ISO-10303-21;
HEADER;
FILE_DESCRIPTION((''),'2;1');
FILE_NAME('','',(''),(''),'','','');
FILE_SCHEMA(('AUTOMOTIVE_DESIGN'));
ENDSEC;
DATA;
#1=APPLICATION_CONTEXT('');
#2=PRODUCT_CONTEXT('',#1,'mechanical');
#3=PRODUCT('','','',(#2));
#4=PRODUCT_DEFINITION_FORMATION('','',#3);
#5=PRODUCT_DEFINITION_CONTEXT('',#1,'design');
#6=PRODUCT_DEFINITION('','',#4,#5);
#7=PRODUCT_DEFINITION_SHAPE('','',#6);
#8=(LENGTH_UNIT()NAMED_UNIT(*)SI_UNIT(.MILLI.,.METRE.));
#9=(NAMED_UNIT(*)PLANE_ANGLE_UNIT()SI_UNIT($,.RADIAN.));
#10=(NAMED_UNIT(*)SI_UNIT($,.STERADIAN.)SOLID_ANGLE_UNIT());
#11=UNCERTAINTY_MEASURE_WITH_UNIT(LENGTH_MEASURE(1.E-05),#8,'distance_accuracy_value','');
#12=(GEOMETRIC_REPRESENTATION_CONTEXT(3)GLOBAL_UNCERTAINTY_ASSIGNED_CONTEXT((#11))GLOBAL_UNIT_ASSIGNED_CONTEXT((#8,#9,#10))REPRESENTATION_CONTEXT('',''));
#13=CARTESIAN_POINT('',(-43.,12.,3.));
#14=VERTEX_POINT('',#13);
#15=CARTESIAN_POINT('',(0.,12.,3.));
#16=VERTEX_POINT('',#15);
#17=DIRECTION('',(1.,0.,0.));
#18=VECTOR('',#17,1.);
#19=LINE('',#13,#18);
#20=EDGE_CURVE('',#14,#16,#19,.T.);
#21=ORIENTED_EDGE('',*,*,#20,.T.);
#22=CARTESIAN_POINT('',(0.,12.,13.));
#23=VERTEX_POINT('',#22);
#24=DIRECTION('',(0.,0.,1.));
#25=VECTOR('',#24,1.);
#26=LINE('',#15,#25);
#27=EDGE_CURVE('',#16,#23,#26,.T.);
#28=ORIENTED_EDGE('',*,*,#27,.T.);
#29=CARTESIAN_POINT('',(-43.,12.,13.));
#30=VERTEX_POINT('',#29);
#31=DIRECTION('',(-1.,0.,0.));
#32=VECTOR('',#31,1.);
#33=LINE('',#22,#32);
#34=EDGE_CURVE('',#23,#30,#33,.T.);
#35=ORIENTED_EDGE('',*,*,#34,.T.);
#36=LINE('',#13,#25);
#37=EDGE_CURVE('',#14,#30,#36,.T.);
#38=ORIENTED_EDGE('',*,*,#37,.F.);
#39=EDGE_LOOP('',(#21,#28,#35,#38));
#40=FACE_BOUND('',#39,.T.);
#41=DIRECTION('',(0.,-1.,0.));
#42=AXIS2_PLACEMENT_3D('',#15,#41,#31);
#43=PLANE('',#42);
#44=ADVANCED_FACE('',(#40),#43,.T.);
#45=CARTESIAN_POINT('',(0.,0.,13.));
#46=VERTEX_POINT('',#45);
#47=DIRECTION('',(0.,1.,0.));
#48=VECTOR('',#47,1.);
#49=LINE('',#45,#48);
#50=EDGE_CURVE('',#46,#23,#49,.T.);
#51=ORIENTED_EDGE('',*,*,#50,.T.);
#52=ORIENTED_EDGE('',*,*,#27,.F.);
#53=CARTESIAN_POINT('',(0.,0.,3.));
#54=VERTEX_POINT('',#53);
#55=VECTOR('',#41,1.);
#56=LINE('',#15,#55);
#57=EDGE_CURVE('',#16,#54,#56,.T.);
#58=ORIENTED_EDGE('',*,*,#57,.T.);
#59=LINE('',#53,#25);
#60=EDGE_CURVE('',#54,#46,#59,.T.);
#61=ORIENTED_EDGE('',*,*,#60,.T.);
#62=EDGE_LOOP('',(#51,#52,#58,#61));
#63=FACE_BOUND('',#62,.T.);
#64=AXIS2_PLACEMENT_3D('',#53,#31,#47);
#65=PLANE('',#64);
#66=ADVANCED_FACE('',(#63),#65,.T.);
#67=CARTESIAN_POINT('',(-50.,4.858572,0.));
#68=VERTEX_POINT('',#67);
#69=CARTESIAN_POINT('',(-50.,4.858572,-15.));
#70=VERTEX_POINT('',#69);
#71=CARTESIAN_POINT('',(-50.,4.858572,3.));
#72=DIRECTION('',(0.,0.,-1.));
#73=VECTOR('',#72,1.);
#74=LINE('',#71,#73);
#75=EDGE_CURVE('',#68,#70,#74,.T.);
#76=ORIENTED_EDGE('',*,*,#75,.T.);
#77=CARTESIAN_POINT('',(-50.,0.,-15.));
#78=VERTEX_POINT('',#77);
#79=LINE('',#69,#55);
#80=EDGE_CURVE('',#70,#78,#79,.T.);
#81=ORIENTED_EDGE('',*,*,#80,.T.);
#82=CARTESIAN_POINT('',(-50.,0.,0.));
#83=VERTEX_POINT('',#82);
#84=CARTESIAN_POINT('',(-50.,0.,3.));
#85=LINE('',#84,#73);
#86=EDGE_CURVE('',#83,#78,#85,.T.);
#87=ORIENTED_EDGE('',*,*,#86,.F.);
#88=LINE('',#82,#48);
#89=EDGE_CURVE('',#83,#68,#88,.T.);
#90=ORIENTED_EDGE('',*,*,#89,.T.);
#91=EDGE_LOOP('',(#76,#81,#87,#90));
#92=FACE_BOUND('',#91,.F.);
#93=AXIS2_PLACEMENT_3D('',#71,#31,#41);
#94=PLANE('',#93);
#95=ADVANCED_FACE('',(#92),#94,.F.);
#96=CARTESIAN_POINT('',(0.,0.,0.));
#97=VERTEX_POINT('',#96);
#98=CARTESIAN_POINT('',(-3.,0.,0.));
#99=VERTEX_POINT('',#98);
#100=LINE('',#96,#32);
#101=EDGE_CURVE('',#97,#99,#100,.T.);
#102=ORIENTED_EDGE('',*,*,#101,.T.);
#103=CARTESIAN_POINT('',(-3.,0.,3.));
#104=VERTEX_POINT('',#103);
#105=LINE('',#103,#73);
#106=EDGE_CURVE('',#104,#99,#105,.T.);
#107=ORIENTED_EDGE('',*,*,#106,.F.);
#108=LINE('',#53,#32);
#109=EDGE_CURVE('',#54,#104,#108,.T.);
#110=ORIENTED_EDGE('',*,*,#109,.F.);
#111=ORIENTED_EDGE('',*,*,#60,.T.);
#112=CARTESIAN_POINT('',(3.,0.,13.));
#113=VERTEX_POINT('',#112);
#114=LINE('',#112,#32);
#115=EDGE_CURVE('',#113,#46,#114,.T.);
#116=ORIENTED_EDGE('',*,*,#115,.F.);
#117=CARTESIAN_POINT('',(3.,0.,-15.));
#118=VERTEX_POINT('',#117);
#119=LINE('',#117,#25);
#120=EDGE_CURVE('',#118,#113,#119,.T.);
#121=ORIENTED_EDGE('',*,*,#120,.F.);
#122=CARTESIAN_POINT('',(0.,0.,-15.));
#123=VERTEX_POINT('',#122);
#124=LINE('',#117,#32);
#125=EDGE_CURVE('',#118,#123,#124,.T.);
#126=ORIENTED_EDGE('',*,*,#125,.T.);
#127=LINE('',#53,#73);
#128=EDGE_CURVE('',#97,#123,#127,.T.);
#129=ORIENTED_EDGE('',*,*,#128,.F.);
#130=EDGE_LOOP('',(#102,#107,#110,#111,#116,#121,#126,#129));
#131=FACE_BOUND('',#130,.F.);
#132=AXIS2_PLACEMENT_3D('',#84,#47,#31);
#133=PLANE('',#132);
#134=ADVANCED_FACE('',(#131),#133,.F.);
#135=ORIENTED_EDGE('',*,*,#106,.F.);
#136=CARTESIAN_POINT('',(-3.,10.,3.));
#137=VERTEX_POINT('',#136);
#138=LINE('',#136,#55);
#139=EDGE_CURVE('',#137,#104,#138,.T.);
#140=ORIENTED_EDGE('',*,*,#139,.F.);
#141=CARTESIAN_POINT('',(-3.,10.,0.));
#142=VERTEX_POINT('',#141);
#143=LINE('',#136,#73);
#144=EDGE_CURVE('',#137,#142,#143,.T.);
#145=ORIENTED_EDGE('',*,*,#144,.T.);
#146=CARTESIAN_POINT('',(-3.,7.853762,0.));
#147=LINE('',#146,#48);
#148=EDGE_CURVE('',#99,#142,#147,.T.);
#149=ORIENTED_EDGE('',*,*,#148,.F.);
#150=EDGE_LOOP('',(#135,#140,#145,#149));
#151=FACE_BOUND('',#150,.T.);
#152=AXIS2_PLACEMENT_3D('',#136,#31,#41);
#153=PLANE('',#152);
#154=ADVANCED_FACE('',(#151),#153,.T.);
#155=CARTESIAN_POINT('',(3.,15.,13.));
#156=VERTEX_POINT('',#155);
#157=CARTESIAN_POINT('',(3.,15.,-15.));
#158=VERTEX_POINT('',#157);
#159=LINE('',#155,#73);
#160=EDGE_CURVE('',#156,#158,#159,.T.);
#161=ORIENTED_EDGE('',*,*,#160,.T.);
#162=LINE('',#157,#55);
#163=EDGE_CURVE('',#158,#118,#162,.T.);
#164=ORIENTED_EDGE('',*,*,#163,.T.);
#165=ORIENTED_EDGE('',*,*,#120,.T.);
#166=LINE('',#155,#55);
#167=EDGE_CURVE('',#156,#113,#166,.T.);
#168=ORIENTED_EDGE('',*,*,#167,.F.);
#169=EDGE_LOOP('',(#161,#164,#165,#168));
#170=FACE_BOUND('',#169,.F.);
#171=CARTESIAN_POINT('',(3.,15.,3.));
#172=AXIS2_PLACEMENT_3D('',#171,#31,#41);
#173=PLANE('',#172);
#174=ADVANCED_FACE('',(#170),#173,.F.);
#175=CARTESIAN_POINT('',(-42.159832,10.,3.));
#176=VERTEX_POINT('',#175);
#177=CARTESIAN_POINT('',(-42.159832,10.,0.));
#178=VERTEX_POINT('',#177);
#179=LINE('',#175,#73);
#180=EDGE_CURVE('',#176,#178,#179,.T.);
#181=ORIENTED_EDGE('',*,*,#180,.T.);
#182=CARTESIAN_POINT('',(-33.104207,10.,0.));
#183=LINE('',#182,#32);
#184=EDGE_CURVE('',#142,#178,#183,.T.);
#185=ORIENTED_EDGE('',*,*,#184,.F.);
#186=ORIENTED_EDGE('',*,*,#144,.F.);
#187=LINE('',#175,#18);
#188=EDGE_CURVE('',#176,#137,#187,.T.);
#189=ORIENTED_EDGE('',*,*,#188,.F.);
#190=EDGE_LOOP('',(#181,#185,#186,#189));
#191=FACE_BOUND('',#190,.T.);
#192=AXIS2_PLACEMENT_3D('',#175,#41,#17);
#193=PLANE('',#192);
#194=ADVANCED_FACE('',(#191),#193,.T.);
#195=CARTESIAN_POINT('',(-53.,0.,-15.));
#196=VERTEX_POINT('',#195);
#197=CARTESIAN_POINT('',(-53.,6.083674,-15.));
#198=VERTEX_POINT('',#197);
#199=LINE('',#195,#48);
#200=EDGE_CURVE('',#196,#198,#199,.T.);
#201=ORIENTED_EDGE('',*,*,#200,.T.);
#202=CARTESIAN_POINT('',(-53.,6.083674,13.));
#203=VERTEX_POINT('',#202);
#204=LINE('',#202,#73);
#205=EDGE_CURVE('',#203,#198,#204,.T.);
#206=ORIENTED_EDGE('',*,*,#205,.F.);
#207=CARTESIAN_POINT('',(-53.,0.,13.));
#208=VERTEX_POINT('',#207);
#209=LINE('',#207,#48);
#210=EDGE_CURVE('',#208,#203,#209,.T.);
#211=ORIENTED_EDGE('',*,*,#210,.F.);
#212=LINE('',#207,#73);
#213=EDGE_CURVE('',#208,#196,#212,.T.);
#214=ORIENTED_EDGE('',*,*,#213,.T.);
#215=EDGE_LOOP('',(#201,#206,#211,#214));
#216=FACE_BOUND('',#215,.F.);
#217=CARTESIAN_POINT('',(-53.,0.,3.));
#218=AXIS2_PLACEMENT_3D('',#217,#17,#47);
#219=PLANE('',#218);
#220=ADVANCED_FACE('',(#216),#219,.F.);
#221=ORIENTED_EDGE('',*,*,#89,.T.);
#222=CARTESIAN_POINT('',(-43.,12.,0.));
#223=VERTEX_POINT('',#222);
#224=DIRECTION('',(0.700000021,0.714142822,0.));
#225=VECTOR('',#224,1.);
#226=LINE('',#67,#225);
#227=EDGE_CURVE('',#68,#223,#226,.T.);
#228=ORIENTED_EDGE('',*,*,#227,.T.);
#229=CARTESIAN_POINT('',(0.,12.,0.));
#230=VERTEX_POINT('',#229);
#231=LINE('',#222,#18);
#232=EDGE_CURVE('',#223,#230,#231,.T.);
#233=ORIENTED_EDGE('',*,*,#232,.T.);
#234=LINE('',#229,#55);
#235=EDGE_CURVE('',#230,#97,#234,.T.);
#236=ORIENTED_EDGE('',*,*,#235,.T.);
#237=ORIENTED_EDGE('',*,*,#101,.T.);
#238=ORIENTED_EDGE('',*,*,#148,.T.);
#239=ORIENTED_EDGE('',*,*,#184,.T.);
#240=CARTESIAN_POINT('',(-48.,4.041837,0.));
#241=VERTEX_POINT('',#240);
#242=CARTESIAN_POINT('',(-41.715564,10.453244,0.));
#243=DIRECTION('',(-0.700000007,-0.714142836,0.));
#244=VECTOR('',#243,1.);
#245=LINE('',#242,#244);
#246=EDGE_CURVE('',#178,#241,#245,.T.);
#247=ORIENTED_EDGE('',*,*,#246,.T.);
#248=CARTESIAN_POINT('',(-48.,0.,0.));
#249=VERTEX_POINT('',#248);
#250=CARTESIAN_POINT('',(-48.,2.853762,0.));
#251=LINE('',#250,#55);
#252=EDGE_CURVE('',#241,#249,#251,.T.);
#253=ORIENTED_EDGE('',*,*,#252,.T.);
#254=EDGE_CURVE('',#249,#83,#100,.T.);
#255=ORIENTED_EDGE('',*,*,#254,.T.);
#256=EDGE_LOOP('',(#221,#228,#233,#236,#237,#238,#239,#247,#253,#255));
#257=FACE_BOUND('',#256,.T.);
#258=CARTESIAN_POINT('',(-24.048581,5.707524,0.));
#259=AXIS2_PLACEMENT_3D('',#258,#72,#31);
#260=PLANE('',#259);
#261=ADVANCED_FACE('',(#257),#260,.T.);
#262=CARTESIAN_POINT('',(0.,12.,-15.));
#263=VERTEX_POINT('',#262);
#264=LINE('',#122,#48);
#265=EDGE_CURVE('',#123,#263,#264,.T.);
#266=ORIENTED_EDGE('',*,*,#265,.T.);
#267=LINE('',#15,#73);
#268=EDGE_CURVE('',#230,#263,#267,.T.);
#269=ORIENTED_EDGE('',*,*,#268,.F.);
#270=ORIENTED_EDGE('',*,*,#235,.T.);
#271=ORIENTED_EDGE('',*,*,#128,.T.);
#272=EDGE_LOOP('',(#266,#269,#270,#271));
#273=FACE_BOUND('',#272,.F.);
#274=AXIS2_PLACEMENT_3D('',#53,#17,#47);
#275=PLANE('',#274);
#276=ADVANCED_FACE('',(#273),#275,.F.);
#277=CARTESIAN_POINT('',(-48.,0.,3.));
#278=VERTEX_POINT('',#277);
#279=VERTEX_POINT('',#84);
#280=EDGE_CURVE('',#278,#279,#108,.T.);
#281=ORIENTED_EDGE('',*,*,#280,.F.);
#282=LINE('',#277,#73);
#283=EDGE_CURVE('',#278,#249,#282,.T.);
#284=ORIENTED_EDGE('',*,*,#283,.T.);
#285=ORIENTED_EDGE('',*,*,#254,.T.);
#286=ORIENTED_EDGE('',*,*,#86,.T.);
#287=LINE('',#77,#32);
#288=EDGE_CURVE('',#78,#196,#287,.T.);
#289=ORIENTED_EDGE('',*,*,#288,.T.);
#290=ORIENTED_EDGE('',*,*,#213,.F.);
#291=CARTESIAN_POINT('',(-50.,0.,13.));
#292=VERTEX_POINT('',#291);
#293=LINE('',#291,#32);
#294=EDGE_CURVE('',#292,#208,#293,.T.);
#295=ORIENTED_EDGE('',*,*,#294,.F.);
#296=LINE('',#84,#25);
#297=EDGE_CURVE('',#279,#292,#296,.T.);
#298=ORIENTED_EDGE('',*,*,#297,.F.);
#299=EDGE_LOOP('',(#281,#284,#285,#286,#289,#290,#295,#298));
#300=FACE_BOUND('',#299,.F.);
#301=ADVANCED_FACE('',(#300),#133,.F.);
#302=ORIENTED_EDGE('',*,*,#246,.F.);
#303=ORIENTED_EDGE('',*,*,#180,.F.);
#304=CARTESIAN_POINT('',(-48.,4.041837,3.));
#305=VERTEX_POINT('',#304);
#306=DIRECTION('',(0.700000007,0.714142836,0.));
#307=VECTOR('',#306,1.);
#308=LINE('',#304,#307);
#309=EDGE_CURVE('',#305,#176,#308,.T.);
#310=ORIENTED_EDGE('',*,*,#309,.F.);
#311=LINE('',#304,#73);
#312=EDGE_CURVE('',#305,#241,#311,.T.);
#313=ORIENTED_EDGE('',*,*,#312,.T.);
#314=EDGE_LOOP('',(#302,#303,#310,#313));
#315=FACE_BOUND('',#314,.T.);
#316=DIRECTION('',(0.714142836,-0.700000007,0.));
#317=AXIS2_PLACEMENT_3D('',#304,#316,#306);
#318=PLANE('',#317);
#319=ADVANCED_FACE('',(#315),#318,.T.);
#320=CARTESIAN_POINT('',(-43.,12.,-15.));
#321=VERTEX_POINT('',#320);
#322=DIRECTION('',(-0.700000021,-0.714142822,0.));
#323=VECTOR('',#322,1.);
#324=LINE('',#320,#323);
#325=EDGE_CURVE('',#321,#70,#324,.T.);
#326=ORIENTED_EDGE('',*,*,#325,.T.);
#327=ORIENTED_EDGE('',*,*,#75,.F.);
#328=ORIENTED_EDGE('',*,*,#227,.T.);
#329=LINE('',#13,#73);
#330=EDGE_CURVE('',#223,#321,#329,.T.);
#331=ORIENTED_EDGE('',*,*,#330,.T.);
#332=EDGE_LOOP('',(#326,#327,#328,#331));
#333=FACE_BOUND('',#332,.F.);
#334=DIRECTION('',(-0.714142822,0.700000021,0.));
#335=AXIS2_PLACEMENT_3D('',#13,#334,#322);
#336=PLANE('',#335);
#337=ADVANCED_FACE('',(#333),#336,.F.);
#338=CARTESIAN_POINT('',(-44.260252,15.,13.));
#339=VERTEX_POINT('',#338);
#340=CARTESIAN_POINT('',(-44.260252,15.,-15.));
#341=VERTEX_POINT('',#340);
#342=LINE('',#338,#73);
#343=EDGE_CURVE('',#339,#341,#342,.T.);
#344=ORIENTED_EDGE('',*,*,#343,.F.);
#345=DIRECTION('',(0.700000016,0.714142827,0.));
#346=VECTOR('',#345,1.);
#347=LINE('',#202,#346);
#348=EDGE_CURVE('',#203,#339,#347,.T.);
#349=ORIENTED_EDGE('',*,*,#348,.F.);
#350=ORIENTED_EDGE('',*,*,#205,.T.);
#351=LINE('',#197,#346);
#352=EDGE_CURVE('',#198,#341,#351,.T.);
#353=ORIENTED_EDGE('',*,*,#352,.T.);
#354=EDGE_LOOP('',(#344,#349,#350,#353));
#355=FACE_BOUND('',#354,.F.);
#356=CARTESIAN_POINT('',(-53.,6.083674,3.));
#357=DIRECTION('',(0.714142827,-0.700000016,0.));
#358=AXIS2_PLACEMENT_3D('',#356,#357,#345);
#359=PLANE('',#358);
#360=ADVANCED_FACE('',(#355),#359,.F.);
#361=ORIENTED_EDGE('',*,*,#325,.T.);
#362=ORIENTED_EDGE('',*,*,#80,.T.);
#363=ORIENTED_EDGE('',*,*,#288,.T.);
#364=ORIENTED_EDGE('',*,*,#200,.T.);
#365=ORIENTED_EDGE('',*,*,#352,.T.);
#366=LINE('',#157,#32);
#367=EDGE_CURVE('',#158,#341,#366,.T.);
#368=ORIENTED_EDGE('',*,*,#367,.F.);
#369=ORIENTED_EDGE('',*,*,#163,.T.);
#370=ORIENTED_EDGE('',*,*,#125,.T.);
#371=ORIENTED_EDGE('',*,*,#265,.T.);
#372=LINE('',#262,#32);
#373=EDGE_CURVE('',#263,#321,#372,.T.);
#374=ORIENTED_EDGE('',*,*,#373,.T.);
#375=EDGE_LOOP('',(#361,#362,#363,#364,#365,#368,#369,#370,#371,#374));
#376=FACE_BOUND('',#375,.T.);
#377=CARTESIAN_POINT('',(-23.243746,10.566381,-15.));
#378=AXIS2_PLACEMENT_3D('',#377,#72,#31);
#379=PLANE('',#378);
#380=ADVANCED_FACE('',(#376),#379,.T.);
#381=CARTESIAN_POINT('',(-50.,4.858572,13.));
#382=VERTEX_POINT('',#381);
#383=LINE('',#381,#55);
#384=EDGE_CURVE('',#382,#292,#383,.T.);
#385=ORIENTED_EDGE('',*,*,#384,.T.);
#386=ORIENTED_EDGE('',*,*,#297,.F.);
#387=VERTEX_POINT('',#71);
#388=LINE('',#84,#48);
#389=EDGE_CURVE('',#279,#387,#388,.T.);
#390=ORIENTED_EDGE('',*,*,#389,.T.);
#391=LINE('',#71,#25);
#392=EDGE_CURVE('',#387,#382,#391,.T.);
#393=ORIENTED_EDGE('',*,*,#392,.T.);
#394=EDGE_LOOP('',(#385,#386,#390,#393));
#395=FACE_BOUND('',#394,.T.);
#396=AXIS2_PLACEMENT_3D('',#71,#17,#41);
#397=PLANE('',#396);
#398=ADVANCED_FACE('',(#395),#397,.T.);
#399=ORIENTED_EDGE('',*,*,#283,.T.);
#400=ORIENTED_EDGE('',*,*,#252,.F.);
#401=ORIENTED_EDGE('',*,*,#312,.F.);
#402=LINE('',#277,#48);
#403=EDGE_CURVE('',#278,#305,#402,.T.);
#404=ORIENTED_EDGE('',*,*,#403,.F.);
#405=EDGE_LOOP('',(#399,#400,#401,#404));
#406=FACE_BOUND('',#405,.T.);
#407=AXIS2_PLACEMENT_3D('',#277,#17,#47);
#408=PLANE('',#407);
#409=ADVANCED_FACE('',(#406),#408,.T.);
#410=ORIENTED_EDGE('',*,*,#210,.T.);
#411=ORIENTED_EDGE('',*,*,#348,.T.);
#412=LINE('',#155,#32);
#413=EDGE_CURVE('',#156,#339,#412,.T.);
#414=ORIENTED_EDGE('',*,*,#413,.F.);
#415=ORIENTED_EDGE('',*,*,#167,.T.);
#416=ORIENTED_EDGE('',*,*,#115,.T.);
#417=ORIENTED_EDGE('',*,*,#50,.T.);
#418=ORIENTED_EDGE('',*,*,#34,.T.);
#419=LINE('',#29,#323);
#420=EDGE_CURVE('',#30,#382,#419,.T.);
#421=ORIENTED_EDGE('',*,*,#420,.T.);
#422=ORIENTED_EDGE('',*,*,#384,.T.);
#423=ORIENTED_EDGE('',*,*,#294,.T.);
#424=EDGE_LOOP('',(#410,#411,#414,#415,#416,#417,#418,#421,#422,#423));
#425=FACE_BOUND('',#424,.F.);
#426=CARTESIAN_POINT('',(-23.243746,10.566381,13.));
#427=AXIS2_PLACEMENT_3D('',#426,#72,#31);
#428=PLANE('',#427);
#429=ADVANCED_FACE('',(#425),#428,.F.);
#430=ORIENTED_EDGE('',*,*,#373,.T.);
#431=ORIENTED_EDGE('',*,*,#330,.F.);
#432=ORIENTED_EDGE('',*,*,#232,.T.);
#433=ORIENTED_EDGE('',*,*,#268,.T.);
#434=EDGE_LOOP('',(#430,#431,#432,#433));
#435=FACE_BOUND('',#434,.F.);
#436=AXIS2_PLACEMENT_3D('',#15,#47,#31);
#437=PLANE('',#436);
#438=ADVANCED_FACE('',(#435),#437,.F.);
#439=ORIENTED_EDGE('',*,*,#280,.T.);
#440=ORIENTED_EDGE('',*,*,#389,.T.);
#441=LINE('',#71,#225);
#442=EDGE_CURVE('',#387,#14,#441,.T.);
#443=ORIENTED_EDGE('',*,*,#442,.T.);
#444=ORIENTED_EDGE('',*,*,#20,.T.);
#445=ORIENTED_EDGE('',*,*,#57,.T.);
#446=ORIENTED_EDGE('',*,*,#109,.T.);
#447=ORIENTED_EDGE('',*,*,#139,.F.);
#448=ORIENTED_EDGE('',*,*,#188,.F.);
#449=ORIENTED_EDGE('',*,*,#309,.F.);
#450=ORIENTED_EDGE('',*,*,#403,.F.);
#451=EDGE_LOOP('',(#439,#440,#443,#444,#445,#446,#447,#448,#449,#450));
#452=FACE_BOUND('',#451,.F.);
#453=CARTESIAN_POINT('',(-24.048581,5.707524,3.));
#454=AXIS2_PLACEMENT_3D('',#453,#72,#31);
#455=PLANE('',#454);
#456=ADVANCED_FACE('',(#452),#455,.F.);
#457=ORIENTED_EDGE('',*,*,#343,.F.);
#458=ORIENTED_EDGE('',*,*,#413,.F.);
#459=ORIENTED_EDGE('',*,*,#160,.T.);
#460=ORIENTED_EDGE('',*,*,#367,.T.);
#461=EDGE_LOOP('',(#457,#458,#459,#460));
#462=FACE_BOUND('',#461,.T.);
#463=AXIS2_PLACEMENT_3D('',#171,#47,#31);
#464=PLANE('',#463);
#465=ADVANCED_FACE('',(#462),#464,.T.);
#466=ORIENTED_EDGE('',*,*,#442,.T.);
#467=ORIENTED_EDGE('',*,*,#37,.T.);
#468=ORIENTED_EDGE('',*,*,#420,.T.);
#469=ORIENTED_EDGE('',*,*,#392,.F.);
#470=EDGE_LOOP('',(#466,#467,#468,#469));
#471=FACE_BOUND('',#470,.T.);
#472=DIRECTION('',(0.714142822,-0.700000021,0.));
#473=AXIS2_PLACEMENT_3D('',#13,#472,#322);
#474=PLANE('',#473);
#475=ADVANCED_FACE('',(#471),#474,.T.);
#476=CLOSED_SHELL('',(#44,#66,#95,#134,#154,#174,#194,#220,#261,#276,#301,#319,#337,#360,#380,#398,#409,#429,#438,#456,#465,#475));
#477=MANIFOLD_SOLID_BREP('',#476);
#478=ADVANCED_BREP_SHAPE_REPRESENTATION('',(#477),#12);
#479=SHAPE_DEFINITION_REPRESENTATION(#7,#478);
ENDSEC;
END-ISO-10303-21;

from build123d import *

# Parameters (mm, degrees)
PAD_DEPTH         = 3
PAD001_DEPTH      = 10
PAD001_DEPTH_BACK = 18
POCKET_DEPTH      = 5


with BuildPart() as part:
    # Sketch → Pad (new body)
    with BuildSketch(Plane.XY):
        Polygon((-43, 12), (0, 12), (0, 0), (-50, 0), (-50, 4.858572), align=None)
    extrude(amount=PAD_DEPTH)

    # Sketch001 (on Face7 of Pad) → Pad001 (join, two sides)
    with BuildSketch(Plane.XY.offset(3)) as pad001_sk:
        Polygon((-50, 0), (-53, 0), (-53, 6.083674), (-44.260252, 15), (0, 15), (3, 15), (3, 0), (0, 0), (0, 12), (-43, 12), (-50, 4.858572), align=None)
    extrude(amount=PAD001_DEPTH)
    extrude(pad001_sk.sketch, amount=-PAD001_DEPTH_BACK)

    # Sketch002 (on Face18 of Pad001) → Pocket (cut)
    with BuildSketch(Plane.XY.offset(3)):
        Polygon((-48, 0), (-48, 4.041837), (-42.159832, 10), (-3, 10), (-3, 0), align=None)
    extrude(amount=-POCKET_DEPTH, mode=Mode.SUBTRACT)


solid = part.part
